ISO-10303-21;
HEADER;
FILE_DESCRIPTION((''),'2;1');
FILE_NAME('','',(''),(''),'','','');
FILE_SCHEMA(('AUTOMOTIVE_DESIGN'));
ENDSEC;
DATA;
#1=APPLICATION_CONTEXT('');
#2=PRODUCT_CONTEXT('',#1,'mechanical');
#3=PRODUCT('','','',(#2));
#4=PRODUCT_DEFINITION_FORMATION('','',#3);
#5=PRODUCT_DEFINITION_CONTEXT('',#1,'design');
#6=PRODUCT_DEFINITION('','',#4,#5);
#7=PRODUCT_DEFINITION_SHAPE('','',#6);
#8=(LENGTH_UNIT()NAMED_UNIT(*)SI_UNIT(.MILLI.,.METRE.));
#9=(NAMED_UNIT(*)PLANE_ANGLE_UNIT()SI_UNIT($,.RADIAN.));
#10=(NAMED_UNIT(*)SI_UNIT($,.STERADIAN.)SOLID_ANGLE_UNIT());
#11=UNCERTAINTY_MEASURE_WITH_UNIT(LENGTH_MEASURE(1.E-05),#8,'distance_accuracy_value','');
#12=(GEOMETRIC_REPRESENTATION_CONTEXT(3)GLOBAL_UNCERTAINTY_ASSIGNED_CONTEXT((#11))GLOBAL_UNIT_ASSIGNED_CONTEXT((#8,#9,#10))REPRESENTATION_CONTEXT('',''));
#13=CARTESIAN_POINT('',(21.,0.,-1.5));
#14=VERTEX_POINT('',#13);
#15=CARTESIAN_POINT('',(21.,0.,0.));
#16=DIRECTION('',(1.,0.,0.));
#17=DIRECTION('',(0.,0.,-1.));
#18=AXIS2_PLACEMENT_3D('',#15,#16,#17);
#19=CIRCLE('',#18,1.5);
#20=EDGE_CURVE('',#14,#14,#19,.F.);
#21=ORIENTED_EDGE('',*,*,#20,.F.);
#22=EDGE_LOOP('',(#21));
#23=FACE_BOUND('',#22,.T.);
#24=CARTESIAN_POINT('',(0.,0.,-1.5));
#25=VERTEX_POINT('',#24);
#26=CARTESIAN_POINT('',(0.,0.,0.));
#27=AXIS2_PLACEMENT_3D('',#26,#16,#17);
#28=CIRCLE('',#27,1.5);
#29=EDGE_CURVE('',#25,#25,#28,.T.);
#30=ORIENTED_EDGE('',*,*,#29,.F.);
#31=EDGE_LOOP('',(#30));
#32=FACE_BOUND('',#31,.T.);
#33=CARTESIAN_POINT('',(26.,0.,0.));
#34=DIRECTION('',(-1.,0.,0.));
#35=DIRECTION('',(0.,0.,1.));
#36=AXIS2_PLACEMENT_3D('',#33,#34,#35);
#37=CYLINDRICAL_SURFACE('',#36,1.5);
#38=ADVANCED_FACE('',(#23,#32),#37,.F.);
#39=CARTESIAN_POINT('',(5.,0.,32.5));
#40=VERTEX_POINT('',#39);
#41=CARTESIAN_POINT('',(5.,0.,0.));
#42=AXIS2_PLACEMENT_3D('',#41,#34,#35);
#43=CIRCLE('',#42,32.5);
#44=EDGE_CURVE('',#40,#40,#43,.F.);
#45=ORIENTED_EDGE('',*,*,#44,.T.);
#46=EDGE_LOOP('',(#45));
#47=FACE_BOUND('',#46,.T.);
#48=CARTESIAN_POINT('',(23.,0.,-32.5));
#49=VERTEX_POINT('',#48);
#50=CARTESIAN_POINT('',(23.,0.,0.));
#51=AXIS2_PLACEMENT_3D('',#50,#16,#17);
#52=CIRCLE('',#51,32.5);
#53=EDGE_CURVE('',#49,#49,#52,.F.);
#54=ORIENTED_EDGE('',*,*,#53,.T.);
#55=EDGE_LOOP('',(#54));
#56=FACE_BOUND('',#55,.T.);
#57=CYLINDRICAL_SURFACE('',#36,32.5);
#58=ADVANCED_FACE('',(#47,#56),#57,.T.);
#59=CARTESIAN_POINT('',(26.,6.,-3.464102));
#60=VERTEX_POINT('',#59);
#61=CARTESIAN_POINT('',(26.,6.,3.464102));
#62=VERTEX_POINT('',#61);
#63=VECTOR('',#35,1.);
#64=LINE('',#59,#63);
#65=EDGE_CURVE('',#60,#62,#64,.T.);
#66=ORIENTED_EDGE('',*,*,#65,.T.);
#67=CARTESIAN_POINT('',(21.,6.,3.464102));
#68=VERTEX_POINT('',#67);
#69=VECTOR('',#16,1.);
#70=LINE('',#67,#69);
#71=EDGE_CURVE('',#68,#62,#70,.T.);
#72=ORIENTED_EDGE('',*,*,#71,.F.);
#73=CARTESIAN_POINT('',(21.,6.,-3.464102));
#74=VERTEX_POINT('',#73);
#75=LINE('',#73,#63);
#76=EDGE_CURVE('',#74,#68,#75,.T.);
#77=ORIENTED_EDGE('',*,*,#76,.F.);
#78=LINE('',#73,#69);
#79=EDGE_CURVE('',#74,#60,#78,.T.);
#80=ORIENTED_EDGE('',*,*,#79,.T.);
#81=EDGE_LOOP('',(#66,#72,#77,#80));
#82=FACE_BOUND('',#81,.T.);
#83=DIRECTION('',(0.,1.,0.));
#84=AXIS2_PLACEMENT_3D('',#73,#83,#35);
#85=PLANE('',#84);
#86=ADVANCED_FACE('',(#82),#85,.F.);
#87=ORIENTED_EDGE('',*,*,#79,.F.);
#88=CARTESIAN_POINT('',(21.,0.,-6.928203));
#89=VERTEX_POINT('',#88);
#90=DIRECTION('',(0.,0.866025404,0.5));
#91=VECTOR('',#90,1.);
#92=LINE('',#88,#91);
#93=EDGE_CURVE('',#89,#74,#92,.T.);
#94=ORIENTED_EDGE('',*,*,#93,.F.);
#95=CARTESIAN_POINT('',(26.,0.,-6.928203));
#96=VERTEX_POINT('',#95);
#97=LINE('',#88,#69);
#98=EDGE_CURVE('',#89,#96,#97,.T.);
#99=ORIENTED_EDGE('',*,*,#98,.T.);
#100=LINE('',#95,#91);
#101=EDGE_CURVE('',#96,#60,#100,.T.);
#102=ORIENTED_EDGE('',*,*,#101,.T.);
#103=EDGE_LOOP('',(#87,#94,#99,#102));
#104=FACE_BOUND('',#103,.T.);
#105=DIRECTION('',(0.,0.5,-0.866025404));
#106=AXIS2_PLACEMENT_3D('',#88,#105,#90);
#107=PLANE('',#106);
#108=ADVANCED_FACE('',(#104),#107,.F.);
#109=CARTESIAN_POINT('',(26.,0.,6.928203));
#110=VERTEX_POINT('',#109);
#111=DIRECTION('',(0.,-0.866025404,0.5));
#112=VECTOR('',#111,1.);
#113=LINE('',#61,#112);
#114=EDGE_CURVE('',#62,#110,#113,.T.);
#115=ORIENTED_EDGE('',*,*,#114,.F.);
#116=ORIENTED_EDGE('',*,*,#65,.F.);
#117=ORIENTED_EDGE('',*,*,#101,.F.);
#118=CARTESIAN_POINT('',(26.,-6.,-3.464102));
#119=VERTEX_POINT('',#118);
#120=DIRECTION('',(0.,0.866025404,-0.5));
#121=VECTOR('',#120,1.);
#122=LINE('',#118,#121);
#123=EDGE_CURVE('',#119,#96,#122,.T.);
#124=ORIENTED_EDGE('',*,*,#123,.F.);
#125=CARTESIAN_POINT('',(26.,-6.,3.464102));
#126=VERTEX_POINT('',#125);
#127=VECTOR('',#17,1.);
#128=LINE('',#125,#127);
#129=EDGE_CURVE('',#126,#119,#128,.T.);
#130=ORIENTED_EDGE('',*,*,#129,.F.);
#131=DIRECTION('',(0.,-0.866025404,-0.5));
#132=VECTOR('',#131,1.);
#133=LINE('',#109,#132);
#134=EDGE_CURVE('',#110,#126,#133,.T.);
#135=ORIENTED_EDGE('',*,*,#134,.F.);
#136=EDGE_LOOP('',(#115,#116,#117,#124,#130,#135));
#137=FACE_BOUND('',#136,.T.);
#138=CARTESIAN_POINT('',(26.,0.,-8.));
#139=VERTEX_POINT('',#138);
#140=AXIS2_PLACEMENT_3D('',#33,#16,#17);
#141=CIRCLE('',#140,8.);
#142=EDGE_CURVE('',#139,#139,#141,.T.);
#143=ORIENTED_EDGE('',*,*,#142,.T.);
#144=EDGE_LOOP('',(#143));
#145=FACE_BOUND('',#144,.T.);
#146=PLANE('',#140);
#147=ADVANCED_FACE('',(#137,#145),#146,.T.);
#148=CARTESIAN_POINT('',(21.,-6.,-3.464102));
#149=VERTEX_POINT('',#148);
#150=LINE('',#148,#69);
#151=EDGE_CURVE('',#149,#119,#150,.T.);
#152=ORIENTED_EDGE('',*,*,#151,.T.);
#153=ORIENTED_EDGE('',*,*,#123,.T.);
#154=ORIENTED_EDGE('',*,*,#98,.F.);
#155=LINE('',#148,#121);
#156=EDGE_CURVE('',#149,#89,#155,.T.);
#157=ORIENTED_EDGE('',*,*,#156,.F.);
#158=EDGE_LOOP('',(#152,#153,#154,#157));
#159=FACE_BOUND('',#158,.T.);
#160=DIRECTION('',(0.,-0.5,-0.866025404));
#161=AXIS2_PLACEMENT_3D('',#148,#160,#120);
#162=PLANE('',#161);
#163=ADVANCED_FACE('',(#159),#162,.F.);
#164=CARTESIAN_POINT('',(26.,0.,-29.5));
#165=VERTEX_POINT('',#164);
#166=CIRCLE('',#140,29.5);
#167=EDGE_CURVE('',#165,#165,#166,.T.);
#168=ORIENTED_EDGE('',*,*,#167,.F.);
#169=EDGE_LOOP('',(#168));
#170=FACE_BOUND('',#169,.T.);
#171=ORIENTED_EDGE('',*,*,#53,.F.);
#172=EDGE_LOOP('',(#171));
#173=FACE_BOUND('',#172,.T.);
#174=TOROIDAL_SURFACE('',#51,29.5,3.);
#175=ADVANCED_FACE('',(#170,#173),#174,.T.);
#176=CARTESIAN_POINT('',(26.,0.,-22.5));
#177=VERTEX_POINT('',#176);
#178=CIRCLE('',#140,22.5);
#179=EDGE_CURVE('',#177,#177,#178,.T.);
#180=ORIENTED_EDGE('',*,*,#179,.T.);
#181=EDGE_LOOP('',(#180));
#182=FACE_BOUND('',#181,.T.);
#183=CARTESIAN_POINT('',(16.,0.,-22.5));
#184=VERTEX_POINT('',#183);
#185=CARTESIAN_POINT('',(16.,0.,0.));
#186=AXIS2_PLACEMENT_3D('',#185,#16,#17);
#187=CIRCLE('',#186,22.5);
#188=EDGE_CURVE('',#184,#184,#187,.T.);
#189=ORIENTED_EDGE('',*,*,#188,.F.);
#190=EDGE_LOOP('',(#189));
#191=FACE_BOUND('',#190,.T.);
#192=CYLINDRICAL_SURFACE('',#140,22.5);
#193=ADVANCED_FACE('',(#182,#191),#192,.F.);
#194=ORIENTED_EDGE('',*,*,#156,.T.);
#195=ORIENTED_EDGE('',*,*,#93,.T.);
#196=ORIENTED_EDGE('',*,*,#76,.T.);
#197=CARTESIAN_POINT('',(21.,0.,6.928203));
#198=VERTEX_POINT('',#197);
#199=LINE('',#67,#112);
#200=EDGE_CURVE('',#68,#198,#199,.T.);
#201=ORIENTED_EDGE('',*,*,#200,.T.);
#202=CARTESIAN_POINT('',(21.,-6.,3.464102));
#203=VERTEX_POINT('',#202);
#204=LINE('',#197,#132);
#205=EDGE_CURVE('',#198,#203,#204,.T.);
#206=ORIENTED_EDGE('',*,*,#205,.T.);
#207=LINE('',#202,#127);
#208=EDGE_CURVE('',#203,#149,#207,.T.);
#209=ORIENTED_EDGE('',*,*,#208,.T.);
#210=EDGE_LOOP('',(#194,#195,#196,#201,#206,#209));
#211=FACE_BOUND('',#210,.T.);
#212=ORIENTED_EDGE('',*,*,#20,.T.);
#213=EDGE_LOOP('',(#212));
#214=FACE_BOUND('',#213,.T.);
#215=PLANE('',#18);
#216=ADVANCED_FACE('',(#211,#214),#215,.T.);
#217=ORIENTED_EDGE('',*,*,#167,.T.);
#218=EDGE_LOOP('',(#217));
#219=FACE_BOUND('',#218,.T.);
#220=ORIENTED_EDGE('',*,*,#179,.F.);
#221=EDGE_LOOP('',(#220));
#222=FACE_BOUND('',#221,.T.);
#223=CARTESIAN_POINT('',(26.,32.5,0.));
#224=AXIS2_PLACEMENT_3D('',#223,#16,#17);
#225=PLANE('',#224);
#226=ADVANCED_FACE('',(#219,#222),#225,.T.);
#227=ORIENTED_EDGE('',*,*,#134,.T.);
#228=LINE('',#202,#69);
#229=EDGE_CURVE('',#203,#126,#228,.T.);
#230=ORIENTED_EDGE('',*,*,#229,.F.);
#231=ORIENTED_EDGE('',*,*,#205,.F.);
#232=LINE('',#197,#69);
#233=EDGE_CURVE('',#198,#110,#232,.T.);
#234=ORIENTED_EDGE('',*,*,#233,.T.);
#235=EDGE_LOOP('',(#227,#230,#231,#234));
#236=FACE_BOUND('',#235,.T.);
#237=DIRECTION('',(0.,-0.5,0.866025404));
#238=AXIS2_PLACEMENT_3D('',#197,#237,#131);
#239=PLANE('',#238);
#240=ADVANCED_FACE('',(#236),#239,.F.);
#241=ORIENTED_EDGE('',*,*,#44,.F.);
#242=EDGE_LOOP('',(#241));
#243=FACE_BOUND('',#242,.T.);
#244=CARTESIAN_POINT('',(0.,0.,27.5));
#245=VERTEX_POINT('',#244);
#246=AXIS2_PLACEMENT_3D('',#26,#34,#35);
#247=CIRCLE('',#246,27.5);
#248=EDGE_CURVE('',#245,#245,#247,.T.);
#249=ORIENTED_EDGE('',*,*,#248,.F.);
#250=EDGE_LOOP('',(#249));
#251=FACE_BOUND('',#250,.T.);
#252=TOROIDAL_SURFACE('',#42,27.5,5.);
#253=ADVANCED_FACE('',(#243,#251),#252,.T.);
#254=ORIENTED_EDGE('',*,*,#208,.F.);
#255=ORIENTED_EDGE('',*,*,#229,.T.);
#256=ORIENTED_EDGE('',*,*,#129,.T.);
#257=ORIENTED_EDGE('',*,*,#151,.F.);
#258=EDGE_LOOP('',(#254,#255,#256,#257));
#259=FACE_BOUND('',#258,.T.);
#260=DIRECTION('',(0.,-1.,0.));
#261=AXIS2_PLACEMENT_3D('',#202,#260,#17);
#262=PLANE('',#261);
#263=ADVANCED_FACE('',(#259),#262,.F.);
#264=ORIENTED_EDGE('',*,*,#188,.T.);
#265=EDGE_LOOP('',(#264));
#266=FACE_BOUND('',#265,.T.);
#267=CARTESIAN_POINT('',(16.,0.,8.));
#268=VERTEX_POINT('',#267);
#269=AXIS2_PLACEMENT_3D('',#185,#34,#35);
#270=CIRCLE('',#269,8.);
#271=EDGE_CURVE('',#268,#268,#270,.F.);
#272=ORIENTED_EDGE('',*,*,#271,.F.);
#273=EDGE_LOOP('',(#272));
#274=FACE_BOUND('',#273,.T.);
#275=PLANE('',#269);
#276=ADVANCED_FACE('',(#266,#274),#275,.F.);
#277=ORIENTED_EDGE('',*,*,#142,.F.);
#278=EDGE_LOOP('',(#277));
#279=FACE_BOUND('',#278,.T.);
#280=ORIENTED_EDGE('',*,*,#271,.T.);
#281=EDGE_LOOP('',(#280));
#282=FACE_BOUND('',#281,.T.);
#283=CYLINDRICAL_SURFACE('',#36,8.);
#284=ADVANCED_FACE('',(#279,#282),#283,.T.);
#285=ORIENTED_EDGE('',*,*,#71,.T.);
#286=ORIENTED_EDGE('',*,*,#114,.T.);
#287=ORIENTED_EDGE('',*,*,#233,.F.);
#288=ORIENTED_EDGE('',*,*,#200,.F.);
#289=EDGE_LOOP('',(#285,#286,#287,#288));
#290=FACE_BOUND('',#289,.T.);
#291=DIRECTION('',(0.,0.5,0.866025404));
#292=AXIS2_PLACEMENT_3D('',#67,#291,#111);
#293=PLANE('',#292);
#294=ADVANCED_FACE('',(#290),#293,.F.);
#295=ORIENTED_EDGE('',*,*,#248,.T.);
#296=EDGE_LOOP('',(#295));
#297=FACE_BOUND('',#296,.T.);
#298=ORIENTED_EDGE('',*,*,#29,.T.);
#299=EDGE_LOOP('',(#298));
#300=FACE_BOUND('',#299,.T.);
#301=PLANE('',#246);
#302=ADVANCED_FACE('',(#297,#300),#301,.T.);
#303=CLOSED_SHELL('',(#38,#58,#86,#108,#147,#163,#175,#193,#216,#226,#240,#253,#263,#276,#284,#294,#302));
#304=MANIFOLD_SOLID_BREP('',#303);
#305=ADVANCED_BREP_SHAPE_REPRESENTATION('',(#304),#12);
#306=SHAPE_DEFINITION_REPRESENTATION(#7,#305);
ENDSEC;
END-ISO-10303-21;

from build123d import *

# Parameters (mm, degrees)
SKETCH_1_W              = 26
SKETCH_1_H              = 32.5
HOLE_WIZARD_M39_1_D     = 45
HOLE_WIZARD_M39_1_DEPTH = 10
SKETCH_4_R              = 8
EXTRUDE_1_DEPTH         = 10
CUT_EXTRUDE_1_DEPTH     = 5
SKETCH_6_R              = 1.5
CUT_EXTRUDE_2_DEPTH     = 53.80624963
FILLET_1_R              = 5
FILLET_2_R              = 3


with BuildPart() as part:
    # 草图1 → 旋转1 (revolve)
    with BuildSketch(Plane(origin=(0, 0, 0), x_dir=(-1, 0, 0), z_dir=(0, 0, -1)), mode=Mode.PRIVATE) as revolve_1_sk:
        with Locations((-13, 16.25)):
            Rectangle(SKETCH_1_W, SKETCH_1_H)
    revolve(revolve_1_sk.sketch.rotate(Axis((26, 0, 0), (-1, 0, 0)), 270), axis=Axis((26, 0, 0), (-1, 0, 0)))

    # M39 间隙孔1
    with Locations(Plane(origin=(26, 0, 0), x_dir=(0, 0, -1), z_dir=(1, 0, 0))):
        with Locations((0, 0)):
            Hole(HOLE_WIZARD_M39_1_D / 2, depth=HOLE_WIZARD_M39_1_DEPTH)

    # 草图4 → 凸台-拉伸1 (add)
    with BuildSketch(Plane(origin=(16, 0, 0), x_dir=(0, 0, -1), z_dir=(1, 0, 0))):
        with Locations(Location((0, 0, 0), (0, 0, 180))):
            Circle(SKETCH_4_R)
    extrude(amount=EXTRUDE_1_DEPTH)

    # 草图5 → 切除-拉伸1 (cut)
    with BuildSketch(Plane(origin=(26, 0, 0), x_dir=(0, 0, -1), z_dir=(1, 0, 0))):
        Polygon((3.464101615, -6), (6.92820323, 0), (3.464101615, 6), (-3.464101615, 6), (-6.92820323, 0), (-3.464101615, -6), align=None)
    extrude(amount=-CUT_EXTRUDE_1_DEPTH, mode=Mode.SUBTRACT)

    # 草图6 → 切除-拉伸2 (cut, through all)
    with BuildSketch(Plane(origin=(0, 0, 0), x_dir=(0, 0, -1), z_dir=(1, 0, 0))):
        Circle(SKETCH_6_R)
    extrude(amount=CUT_EXTRUDE_2_DEPTH, mode=Mode.SUBTRACT)

    # 圆角1
    fillet_1_edges = [part.edges().sort_by_distance(p)[0] for p in [
        (0, 0, -32.5),
    ]]
    fillet(fillet_1_edges, radius=FILLET_1_R)

    # 圆角2
    fillet_2_edges = [part.edges().sort_by_distance(p)[0] for p in [
        (26, 0, -32.5),
    ]]
    fillet(fillet_2_edges, radius=FILLET_2_R)


solid = part.part
